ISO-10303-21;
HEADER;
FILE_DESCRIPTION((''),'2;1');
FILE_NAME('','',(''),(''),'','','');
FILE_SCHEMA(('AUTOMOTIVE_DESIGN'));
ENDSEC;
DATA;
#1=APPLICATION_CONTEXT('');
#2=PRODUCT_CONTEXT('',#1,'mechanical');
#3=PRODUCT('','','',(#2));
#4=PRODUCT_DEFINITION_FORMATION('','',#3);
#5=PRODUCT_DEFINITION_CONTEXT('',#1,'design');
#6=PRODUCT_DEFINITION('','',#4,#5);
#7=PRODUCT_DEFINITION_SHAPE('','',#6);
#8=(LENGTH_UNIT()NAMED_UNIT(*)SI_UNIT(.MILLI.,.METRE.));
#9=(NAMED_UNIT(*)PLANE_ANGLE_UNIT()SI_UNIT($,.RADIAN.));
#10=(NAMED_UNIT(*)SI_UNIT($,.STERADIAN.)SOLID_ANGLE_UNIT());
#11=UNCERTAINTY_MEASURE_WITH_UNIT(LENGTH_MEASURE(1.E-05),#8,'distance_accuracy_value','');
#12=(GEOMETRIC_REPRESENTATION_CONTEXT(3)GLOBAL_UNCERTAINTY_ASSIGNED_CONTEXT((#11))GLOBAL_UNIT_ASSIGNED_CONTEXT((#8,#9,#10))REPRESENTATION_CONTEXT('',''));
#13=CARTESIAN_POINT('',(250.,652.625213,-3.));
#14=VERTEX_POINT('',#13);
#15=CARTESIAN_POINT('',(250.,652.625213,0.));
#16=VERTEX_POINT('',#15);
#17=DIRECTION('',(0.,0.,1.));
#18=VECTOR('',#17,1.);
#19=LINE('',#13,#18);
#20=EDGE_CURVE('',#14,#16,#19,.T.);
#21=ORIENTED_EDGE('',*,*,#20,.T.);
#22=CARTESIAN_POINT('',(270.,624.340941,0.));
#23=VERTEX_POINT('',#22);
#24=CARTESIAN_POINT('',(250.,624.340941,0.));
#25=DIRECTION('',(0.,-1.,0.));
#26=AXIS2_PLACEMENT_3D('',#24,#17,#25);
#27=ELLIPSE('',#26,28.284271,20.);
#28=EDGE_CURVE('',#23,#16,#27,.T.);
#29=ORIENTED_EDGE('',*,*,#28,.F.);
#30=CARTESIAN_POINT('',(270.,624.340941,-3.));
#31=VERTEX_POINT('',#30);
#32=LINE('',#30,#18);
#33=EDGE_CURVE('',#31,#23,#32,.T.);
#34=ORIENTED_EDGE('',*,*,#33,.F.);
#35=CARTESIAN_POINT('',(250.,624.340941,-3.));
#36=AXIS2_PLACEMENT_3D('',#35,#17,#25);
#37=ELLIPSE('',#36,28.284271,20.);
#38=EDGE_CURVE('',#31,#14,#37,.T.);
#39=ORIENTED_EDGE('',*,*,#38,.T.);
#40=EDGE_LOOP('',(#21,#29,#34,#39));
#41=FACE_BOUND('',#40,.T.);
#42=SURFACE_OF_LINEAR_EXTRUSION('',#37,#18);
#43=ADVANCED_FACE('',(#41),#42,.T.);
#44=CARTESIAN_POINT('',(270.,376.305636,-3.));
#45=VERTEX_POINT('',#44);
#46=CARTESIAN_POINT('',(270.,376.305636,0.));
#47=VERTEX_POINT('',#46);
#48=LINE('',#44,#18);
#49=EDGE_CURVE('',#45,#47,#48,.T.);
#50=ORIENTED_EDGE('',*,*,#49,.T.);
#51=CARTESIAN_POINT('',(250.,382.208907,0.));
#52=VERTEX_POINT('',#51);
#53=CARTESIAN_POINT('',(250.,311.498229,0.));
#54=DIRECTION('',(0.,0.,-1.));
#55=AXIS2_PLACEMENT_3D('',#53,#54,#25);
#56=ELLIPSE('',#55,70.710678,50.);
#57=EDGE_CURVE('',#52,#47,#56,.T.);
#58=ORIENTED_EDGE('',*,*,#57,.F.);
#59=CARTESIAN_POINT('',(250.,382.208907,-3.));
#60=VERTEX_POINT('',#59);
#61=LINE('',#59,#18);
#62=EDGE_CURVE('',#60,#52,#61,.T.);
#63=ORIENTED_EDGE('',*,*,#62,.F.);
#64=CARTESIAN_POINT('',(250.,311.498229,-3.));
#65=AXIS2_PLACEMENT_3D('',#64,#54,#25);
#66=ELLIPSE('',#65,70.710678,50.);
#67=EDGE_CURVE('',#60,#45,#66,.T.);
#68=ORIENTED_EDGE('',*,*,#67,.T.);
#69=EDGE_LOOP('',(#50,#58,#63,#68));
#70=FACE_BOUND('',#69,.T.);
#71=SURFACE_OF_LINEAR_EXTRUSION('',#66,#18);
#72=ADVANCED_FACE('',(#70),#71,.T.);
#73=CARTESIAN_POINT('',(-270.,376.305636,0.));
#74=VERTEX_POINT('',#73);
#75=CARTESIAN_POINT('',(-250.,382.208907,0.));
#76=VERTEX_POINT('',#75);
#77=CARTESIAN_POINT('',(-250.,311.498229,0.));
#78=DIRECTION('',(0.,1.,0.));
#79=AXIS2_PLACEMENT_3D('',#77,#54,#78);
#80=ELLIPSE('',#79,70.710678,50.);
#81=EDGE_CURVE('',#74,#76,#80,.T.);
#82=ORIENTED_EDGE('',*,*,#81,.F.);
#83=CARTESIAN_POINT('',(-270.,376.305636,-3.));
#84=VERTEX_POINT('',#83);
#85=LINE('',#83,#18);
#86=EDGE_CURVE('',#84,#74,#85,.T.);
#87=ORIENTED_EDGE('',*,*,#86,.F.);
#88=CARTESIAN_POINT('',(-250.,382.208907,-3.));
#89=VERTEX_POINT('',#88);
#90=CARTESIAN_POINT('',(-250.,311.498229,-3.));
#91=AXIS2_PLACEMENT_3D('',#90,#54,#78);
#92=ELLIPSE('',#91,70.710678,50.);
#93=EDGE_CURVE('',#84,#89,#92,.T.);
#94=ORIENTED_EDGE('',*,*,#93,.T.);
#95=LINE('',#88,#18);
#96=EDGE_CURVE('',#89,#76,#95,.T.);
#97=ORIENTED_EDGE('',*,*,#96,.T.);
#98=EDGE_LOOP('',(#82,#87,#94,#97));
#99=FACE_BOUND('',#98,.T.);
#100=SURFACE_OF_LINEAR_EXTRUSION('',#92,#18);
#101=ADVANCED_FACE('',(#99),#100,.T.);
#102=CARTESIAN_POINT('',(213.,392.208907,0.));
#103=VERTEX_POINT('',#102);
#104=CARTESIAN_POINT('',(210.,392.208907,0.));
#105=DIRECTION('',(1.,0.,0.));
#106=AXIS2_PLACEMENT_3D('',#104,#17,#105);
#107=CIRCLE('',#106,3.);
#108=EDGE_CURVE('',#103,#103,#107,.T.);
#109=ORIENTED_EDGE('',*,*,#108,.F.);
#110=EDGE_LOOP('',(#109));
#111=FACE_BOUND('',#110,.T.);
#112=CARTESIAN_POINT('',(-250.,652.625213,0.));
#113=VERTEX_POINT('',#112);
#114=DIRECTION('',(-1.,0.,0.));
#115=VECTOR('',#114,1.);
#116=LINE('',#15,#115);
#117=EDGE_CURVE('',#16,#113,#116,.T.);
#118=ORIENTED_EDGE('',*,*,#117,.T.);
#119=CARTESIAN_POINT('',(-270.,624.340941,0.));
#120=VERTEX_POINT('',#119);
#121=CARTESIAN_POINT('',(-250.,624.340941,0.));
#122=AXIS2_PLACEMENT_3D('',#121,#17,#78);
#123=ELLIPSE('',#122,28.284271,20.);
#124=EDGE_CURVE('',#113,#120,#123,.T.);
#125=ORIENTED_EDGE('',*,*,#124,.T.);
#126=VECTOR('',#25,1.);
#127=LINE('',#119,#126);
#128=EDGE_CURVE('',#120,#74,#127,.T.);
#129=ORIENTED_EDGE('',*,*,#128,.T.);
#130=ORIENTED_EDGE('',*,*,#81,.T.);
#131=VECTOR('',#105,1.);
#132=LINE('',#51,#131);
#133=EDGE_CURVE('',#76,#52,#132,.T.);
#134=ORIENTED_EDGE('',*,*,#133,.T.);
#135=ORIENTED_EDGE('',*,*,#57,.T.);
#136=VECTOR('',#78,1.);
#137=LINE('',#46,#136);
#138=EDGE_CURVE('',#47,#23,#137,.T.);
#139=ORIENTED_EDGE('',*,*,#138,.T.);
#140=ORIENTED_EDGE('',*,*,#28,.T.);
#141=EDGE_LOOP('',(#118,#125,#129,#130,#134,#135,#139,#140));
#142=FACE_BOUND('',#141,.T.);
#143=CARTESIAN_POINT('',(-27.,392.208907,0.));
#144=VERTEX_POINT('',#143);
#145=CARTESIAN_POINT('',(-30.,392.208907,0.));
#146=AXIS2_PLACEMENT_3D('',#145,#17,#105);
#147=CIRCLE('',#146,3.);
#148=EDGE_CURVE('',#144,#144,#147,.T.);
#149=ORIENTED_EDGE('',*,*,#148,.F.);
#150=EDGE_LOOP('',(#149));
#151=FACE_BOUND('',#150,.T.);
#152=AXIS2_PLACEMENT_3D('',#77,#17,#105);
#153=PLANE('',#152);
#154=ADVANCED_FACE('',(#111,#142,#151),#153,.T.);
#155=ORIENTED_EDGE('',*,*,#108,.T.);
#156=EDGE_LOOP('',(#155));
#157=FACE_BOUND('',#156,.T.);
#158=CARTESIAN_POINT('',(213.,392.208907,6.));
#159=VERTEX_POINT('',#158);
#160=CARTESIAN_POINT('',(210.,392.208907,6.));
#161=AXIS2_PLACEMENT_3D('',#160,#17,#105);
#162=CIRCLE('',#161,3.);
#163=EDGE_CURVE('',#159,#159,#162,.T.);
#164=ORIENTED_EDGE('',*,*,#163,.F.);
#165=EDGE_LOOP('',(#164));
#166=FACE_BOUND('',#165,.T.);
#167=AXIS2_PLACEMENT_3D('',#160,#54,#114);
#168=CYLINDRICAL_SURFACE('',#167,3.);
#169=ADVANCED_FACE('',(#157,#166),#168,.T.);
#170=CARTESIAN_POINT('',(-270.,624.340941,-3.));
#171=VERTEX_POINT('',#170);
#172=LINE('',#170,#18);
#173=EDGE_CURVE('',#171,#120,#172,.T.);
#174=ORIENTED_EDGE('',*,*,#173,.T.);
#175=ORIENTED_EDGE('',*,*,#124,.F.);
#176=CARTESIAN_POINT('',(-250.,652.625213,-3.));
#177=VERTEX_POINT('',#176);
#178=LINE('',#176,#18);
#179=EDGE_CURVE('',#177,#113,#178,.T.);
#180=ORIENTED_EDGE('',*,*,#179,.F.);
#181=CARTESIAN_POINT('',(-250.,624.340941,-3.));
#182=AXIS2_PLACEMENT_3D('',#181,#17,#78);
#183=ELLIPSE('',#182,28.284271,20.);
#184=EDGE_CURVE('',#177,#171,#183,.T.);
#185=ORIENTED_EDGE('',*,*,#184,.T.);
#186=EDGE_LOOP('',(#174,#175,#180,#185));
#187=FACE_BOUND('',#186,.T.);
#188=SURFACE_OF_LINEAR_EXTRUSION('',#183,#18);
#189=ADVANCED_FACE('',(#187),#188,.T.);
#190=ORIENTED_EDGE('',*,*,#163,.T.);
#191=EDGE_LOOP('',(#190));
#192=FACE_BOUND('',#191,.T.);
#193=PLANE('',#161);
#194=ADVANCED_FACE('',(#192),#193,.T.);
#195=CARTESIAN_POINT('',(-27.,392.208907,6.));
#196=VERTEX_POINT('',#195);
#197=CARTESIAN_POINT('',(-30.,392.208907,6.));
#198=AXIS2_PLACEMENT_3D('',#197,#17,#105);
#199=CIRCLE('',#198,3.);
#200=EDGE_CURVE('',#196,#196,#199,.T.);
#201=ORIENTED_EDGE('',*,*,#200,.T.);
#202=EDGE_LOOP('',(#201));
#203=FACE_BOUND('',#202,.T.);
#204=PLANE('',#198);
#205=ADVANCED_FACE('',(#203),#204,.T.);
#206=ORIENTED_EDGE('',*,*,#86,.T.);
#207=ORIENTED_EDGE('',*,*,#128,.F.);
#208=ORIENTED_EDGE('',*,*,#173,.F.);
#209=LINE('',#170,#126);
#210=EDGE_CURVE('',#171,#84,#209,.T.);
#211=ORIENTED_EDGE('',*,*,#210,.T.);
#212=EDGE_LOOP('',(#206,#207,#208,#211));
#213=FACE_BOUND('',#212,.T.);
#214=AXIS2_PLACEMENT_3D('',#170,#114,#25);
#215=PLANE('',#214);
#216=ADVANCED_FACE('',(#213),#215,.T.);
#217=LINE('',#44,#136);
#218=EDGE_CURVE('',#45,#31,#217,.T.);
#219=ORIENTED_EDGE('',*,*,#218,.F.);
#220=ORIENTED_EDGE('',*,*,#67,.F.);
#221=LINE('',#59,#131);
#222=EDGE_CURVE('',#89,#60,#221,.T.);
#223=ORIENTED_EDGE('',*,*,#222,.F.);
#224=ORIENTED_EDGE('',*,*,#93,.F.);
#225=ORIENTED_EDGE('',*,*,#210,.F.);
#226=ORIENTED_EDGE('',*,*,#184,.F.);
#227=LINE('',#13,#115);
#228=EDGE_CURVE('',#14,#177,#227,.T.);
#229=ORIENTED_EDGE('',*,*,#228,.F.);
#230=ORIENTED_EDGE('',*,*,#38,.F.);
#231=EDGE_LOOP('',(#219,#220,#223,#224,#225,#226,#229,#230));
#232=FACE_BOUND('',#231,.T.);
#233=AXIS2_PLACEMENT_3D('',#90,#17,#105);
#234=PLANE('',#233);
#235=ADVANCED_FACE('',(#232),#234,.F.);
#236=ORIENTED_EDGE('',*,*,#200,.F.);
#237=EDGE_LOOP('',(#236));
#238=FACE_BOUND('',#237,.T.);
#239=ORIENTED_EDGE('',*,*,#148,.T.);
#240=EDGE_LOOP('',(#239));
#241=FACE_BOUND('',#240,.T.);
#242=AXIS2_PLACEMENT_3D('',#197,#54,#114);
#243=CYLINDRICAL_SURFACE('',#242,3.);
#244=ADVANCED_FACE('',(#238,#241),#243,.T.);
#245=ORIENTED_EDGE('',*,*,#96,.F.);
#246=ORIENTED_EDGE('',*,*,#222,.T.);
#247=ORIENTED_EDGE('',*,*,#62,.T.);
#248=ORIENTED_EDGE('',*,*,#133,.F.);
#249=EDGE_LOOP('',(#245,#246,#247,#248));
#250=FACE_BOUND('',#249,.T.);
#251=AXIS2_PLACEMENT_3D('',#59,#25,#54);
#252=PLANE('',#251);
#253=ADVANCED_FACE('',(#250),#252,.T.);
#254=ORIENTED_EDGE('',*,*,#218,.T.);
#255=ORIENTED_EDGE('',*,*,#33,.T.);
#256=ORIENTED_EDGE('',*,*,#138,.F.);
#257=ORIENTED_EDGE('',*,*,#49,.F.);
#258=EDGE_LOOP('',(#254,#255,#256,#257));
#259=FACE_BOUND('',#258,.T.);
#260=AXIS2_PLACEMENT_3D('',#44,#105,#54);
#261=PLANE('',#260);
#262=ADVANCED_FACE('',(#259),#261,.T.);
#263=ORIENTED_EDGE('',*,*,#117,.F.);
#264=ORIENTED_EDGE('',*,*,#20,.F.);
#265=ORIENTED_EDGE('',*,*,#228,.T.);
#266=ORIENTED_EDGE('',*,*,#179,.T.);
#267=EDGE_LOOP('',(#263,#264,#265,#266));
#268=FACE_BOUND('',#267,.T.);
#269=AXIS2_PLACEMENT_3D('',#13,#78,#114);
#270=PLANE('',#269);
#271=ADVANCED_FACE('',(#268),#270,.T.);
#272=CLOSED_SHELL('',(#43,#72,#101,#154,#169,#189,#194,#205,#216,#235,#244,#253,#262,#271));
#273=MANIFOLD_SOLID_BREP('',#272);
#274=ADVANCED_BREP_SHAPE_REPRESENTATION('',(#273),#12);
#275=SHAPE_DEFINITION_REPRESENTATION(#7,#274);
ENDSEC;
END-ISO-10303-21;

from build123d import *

# Parameters (mm, degrees)
BOSS_EXTRUDE1_DEPTH = 3
SKETCH2_R           = 3
BOSS_EXTRUDE2_DEPTH = 6


with BuildPart() as part:
    # Sketch1 → Boss-Extrude1 (new body)
    with BuildSketch(Plane.XY):
        with BuildLine():
            Line((250, 382.208907076), (-250, 382.208907076))
            add(Edge.make_bspline(
                [(-250, 382.208907076), (-260.435607626, 382.208907076), (-270, 376.305635941)],
                knots=[0, 0, 0, 0.411516846, 0.411516846, 0.411516846], degree=2, weights=[1, 0.978906313, 1]))
            Line((-270, 376.305635941), (-270, 624.340941432))
            add(Edge.make_bspline(
                [(-250, 652.625212679), (-270, 652.625212679), (-270, 624.340941432)],
                knots=[0, 0, 0, 1.570796327, 1.570796327, 1.570796327], degree=2, weights=[1, 0.707106781, 1]))
            Line((-250, 652.625212679), (250, 652.625212679))
            add(Edge.make_bspline(
                [(270, 624.340941432), (270, 652.625212679), (250, 652.625212679)],
                knots=[1.570796327, 1.570796327, 1.570796327, 3.141592654, 3.141592654, 3.141592654], degree=2, weights=[1, 0.707106781, 1]))
            Line((270, 624.340941432), (270, 376.305635941))
            add(Edge.make_bspline(
                [(270, 376.305635941), (260.435607626, 382.208907076), (250, 382.208907076)],
                knots=[2.730075808, 2.730075808, 2.730075808, 3.141592654, 3.141592654, 3.141592654], degree=2, weights=[1, 0.978906313, 1]))
        make_face()
    extrude(amount=-BOSS_EXTRUDE1_DEPTH)

    # Sketch2 → Boss-Extrude2 (add)
    with BuildSketch(Plane.XY):
        with Locations((-30, 392.208907076)):
            Circle(SKETCH2_R)
        with Locations((210, 392.208907076)):
            Circle(SKETCH2_R)
    extrude(amount=BOSS_EXTRUDE2_DEPTH)


solid = part.part
